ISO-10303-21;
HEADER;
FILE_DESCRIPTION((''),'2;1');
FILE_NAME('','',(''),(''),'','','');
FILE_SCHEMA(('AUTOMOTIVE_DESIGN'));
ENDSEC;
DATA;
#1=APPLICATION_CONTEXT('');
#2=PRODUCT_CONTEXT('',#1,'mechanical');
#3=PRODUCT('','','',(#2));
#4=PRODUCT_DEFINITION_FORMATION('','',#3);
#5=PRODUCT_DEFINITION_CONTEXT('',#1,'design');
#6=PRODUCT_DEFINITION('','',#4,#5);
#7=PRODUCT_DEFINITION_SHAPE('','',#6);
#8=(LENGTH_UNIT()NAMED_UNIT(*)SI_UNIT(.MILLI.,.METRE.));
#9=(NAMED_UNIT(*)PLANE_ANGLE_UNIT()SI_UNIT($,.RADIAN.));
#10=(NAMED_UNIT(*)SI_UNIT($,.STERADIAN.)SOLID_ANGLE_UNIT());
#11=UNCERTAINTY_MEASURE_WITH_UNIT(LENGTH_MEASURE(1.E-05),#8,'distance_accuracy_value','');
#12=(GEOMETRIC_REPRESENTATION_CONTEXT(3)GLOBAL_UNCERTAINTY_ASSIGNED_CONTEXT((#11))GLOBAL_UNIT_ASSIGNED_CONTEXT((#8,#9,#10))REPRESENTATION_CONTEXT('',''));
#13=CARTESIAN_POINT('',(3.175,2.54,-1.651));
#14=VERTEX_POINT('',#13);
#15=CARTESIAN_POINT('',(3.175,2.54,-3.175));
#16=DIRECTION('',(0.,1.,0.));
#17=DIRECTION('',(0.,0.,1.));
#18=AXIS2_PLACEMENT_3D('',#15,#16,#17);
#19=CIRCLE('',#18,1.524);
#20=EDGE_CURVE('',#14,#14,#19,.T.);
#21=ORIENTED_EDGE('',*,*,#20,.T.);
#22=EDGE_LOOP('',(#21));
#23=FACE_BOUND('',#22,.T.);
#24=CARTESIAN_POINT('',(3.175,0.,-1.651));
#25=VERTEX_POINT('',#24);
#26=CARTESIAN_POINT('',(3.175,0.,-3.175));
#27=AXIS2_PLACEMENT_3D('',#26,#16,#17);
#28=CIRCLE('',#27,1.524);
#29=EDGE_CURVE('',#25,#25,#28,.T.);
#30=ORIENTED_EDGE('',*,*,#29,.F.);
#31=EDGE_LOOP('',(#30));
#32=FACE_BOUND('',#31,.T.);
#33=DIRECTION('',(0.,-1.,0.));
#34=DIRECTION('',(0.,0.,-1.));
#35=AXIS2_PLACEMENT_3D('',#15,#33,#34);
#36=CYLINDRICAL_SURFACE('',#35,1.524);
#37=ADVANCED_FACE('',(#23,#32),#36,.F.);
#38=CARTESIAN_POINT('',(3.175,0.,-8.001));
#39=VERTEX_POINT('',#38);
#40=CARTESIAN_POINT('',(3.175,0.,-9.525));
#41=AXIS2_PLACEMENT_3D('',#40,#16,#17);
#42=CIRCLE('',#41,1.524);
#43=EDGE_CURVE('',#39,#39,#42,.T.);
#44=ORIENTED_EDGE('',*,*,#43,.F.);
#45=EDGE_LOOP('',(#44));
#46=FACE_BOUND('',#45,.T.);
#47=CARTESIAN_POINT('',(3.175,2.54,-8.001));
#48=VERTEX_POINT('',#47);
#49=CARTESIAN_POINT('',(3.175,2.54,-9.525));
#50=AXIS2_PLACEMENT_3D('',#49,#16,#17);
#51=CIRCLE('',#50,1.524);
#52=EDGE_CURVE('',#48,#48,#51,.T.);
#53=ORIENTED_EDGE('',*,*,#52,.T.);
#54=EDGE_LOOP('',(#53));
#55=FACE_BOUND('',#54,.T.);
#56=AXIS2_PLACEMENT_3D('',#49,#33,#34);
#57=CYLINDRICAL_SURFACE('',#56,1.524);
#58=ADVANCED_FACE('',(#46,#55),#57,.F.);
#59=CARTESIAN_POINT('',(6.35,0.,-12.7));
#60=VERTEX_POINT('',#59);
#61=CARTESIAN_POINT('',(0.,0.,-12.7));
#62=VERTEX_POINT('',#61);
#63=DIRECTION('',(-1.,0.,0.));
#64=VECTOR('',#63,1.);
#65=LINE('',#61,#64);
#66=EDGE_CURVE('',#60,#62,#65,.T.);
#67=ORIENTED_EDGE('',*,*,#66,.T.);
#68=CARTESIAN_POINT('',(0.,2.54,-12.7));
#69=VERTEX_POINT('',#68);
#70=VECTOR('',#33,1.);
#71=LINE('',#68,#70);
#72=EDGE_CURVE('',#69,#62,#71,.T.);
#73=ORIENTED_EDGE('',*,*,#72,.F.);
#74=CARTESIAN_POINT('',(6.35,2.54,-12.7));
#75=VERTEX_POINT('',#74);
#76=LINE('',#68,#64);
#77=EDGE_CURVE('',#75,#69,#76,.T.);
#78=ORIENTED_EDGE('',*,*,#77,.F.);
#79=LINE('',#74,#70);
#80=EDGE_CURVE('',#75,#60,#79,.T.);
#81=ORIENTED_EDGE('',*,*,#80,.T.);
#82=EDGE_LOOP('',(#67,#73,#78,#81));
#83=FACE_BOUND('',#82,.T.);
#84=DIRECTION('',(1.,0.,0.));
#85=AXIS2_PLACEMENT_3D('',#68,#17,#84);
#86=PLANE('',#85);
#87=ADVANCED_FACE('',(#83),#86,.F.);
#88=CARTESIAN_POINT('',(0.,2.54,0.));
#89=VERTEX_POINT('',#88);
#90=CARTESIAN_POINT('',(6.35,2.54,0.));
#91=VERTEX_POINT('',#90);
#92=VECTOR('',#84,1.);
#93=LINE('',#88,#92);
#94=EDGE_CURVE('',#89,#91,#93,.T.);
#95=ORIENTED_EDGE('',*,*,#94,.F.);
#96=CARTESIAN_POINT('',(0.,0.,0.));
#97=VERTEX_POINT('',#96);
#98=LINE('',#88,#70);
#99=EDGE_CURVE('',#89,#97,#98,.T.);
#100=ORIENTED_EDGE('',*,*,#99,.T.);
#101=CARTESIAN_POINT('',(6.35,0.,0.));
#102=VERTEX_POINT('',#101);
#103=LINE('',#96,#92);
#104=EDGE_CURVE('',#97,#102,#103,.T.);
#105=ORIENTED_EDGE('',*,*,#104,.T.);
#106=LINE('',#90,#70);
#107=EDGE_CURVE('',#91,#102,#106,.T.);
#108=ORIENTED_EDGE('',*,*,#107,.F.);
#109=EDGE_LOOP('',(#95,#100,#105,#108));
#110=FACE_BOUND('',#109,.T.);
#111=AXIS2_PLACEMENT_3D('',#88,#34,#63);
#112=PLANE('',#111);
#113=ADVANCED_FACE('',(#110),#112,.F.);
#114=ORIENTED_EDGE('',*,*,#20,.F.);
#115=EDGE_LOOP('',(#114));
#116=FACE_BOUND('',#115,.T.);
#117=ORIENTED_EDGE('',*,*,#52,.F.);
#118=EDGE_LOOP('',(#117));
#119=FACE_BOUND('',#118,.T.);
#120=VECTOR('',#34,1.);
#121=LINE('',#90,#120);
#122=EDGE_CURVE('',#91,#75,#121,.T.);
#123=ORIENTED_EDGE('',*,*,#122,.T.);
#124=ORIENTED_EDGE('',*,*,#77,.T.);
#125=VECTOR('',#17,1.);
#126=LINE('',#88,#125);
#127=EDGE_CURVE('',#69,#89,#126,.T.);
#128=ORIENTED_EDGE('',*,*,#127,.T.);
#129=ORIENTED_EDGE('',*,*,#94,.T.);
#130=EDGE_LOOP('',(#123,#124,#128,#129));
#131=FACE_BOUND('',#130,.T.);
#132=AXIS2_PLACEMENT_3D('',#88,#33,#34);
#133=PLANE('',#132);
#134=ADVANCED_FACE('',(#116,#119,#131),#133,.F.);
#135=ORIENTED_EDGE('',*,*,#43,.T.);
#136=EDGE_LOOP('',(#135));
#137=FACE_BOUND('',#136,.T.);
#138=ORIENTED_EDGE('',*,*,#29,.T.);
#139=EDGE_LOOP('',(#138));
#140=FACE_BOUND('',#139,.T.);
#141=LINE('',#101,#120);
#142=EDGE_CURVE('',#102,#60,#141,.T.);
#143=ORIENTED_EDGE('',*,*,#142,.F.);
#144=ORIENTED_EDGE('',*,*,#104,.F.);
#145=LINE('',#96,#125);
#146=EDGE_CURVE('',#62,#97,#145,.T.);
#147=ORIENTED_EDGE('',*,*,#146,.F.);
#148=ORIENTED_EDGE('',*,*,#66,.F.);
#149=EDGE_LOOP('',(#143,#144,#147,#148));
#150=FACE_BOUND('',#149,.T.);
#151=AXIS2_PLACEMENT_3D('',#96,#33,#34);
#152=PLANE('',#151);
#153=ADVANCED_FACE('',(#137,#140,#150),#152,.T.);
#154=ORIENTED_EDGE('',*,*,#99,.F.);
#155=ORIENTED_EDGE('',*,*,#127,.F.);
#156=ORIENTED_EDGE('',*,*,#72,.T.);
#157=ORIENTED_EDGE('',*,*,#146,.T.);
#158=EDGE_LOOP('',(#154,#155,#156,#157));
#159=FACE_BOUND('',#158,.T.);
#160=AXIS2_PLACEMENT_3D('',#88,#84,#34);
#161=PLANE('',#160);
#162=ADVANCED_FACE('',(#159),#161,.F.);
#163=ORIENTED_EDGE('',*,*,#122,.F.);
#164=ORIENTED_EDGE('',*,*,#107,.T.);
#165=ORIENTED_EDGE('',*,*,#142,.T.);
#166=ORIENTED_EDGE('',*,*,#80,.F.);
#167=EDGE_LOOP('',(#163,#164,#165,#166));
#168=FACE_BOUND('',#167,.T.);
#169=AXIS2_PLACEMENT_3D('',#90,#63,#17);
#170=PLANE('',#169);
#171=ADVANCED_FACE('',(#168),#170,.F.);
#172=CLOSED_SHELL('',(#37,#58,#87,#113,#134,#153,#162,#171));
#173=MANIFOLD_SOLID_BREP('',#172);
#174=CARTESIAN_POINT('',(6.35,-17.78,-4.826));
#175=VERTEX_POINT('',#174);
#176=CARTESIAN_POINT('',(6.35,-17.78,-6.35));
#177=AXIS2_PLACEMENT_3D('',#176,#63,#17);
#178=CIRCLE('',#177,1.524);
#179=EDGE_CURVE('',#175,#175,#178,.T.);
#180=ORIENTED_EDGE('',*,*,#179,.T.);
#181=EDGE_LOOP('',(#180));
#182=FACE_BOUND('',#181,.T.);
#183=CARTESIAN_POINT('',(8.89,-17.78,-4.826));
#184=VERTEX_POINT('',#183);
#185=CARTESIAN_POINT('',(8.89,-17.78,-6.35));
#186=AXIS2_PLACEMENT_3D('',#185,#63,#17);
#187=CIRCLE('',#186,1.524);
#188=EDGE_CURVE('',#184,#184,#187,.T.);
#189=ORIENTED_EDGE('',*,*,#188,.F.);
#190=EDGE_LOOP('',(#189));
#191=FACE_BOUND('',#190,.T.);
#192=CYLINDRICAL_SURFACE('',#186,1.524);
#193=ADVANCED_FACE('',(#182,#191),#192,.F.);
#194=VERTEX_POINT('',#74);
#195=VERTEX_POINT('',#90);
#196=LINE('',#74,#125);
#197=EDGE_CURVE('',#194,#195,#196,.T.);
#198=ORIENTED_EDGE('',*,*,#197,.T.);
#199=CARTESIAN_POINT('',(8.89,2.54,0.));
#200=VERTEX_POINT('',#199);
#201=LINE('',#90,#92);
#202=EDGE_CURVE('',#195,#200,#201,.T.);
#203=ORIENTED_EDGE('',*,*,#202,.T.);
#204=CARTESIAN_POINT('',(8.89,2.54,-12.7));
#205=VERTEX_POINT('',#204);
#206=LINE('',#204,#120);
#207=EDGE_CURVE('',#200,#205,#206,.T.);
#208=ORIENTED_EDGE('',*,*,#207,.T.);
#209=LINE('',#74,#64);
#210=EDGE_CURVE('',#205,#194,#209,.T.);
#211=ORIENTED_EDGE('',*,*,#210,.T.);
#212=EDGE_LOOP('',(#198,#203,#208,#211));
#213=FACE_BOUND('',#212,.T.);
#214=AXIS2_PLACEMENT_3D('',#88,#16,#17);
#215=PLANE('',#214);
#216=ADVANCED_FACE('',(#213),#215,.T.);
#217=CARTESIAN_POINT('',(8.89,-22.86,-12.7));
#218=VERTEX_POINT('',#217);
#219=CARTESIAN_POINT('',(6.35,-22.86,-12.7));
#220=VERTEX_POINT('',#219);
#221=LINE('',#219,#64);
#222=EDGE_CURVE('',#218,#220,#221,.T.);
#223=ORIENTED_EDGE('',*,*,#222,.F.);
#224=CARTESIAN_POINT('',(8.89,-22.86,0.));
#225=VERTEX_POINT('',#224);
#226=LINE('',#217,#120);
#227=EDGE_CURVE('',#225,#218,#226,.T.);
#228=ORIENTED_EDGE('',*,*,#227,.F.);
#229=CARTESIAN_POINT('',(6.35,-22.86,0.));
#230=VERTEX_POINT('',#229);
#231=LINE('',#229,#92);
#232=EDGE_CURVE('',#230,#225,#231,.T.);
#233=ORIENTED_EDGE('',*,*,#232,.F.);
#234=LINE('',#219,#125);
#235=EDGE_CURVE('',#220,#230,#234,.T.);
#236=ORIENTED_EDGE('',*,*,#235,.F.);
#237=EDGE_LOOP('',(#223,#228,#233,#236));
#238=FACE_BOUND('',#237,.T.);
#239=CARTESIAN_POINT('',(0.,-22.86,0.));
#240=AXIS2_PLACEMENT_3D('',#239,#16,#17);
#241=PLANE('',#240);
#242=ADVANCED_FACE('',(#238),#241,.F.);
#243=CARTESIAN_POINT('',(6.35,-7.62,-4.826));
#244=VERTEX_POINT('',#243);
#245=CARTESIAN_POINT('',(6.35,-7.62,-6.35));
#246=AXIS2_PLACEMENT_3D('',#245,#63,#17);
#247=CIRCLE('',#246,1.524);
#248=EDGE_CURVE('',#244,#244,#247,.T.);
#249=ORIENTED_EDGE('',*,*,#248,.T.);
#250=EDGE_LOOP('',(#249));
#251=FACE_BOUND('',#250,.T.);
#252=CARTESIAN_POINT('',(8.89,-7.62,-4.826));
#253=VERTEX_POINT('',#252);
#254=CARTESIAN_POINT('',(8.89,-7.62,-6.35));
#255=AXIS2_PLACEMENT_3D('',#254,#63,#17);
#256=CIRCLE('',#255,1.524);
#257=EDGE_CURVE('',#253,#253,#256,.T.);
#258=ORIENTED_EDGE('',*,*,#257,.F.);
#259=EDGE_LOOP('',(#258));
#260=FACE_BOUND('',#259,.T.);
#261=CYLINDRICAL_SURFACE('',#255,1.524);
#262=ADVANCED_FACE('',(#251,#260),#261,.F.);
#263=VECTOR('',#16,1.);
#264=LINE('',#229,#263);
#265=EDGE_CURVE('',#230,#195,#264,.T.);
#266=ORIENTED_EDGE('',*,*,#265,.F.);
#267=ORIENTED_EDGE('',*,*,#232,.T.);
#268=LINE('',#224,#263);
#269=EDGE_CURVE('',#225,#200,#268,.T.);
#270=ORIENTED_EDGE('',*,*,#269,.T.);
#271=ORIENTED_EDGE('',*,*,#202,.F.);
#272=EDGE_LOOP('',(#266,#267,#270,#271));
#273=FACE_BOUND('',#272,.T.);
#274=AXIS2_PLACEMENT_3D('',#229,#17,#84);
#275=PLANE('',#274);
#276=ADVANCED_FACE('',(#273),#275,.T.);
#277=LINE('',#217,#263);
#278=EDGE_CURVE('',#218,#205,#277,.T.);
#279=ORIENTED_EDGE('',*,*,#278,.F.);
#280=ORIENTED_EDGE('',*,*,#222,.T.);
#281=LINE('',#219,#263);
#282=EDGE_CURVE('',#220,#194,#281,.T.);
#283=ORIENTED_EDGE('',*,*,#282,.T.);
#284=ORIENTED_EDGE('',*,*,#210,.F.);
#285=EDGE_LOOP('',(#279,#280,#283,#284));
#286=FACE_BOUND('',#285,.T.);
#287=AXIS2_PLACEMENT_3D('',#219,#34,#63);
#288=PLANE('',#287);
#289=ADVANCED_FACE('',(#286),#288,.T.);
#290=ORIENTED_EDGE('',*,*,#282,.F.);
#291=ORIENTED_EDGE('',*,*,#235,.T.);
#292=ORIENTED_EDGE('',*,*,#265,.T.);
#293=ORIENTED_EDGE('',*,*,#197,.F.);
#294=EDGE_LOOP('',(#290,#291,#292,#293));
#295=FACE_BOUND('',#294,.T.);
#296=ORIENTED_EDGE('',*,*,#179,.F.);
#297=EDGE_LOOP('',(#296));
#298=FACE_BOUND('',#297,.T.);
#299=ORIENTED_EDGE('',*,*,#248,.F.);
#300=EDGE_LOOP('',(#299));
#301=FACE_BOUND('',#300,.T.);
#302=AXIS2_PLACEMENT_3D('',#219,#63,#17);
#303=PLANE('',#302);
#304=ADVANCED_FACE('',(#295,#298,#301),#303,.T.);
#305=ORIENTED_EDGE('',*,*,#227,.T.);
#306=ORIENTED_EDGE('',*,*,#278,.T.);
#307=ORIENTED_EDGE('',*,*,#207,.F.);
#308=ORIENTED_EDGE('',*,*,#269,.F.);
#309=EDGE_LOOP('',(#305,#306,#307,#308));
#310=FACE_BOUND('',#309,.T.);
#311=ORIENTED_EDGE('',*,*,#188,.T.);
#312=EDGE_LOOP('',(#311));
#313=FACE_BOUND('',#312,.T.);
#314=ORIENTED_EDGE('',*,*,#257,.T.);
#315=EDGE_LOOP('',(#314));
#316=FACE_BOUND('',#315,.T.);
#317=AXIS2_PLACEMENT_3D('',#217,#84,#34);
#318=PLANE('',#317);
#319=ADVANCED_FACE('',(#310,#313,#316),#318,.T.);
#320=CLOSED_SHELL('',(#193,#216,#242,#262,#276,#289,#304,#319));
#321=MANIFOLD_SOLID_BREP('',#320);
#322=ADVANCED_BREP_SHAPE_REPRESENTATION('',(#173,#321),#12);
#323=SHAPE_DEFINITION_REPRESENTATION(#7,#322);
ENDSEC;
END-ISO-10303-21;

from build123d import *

# Parameters (mm, degrees)
SKETCH1_W           = 6.35
SKETCH1_H           = 12.7
SKETCH1_R           = 1.524
BOSS_EXTRUDE1_DEPTH = 2.54
SKETCH3_W           = 2.54
SKETCH3_H           = 12.7
BOSS_EXTRUDE3_DEPTH = 25.4
SKETCH4_R           = 1.524
CUT_EXTRUDE1_DEPTH  = 27.910817528


with BuildPart() as part:
    # Sketch1 → Boss-Extrude1 (new body)
    with BuildSketch(Plane(origin=(0, 0, 0), x_dir=(1, 0, 0), z_dir=(0, 1, 0))):
        with Locations((3.175, 6.35)):
            Rectangle(SKETCH1_W, SKETCH1_H)
        with Locations(Location((3.175, 3.175, 0), (0, 0, 270))):
            Circle(SKETCH1_R, mode=Mode.SUBTRACT)
        with Locations(Location((3.175, 9.525, 0), (0, 0, 270))):
            Circle(SKETCH1_R, mode=Mode.SUBTRACT)
    extrude(amount=BOSS_EXTRUDE1_DEPTH)


with BuildPart() as body_2:
    # Sketch3 → Boss-Extrude3 (new body)
    with BuildSketch(Plane(origin=(0, 2.54, 0), x_dir=(1, 0, 0), z_dir=(0, 1, 0))):
        with Locations((7.62, 6.35)):
            Rectangle(SKETCH3_W, SKETCH3_H)
    extrude(amount=-BOSS_EXTRUDE3_DEPTH)

    # Sketch4 → Cut-Extrude1 (cut, through all)
    with BuildSketch(Plane.ZY.offset(-6.35)):
        with Locations((-6.35, -7.62)):
            Circle(SKETCH4_R)
        with Locations((-6.35, -17.78)):
            Circle(SKETCH4_R)
    extrude(amount=-CUT_EXTRUDE1_DEPTH, mode=Mode.SUBTRACT)


solid = Compound([part.part, body_2.part])
